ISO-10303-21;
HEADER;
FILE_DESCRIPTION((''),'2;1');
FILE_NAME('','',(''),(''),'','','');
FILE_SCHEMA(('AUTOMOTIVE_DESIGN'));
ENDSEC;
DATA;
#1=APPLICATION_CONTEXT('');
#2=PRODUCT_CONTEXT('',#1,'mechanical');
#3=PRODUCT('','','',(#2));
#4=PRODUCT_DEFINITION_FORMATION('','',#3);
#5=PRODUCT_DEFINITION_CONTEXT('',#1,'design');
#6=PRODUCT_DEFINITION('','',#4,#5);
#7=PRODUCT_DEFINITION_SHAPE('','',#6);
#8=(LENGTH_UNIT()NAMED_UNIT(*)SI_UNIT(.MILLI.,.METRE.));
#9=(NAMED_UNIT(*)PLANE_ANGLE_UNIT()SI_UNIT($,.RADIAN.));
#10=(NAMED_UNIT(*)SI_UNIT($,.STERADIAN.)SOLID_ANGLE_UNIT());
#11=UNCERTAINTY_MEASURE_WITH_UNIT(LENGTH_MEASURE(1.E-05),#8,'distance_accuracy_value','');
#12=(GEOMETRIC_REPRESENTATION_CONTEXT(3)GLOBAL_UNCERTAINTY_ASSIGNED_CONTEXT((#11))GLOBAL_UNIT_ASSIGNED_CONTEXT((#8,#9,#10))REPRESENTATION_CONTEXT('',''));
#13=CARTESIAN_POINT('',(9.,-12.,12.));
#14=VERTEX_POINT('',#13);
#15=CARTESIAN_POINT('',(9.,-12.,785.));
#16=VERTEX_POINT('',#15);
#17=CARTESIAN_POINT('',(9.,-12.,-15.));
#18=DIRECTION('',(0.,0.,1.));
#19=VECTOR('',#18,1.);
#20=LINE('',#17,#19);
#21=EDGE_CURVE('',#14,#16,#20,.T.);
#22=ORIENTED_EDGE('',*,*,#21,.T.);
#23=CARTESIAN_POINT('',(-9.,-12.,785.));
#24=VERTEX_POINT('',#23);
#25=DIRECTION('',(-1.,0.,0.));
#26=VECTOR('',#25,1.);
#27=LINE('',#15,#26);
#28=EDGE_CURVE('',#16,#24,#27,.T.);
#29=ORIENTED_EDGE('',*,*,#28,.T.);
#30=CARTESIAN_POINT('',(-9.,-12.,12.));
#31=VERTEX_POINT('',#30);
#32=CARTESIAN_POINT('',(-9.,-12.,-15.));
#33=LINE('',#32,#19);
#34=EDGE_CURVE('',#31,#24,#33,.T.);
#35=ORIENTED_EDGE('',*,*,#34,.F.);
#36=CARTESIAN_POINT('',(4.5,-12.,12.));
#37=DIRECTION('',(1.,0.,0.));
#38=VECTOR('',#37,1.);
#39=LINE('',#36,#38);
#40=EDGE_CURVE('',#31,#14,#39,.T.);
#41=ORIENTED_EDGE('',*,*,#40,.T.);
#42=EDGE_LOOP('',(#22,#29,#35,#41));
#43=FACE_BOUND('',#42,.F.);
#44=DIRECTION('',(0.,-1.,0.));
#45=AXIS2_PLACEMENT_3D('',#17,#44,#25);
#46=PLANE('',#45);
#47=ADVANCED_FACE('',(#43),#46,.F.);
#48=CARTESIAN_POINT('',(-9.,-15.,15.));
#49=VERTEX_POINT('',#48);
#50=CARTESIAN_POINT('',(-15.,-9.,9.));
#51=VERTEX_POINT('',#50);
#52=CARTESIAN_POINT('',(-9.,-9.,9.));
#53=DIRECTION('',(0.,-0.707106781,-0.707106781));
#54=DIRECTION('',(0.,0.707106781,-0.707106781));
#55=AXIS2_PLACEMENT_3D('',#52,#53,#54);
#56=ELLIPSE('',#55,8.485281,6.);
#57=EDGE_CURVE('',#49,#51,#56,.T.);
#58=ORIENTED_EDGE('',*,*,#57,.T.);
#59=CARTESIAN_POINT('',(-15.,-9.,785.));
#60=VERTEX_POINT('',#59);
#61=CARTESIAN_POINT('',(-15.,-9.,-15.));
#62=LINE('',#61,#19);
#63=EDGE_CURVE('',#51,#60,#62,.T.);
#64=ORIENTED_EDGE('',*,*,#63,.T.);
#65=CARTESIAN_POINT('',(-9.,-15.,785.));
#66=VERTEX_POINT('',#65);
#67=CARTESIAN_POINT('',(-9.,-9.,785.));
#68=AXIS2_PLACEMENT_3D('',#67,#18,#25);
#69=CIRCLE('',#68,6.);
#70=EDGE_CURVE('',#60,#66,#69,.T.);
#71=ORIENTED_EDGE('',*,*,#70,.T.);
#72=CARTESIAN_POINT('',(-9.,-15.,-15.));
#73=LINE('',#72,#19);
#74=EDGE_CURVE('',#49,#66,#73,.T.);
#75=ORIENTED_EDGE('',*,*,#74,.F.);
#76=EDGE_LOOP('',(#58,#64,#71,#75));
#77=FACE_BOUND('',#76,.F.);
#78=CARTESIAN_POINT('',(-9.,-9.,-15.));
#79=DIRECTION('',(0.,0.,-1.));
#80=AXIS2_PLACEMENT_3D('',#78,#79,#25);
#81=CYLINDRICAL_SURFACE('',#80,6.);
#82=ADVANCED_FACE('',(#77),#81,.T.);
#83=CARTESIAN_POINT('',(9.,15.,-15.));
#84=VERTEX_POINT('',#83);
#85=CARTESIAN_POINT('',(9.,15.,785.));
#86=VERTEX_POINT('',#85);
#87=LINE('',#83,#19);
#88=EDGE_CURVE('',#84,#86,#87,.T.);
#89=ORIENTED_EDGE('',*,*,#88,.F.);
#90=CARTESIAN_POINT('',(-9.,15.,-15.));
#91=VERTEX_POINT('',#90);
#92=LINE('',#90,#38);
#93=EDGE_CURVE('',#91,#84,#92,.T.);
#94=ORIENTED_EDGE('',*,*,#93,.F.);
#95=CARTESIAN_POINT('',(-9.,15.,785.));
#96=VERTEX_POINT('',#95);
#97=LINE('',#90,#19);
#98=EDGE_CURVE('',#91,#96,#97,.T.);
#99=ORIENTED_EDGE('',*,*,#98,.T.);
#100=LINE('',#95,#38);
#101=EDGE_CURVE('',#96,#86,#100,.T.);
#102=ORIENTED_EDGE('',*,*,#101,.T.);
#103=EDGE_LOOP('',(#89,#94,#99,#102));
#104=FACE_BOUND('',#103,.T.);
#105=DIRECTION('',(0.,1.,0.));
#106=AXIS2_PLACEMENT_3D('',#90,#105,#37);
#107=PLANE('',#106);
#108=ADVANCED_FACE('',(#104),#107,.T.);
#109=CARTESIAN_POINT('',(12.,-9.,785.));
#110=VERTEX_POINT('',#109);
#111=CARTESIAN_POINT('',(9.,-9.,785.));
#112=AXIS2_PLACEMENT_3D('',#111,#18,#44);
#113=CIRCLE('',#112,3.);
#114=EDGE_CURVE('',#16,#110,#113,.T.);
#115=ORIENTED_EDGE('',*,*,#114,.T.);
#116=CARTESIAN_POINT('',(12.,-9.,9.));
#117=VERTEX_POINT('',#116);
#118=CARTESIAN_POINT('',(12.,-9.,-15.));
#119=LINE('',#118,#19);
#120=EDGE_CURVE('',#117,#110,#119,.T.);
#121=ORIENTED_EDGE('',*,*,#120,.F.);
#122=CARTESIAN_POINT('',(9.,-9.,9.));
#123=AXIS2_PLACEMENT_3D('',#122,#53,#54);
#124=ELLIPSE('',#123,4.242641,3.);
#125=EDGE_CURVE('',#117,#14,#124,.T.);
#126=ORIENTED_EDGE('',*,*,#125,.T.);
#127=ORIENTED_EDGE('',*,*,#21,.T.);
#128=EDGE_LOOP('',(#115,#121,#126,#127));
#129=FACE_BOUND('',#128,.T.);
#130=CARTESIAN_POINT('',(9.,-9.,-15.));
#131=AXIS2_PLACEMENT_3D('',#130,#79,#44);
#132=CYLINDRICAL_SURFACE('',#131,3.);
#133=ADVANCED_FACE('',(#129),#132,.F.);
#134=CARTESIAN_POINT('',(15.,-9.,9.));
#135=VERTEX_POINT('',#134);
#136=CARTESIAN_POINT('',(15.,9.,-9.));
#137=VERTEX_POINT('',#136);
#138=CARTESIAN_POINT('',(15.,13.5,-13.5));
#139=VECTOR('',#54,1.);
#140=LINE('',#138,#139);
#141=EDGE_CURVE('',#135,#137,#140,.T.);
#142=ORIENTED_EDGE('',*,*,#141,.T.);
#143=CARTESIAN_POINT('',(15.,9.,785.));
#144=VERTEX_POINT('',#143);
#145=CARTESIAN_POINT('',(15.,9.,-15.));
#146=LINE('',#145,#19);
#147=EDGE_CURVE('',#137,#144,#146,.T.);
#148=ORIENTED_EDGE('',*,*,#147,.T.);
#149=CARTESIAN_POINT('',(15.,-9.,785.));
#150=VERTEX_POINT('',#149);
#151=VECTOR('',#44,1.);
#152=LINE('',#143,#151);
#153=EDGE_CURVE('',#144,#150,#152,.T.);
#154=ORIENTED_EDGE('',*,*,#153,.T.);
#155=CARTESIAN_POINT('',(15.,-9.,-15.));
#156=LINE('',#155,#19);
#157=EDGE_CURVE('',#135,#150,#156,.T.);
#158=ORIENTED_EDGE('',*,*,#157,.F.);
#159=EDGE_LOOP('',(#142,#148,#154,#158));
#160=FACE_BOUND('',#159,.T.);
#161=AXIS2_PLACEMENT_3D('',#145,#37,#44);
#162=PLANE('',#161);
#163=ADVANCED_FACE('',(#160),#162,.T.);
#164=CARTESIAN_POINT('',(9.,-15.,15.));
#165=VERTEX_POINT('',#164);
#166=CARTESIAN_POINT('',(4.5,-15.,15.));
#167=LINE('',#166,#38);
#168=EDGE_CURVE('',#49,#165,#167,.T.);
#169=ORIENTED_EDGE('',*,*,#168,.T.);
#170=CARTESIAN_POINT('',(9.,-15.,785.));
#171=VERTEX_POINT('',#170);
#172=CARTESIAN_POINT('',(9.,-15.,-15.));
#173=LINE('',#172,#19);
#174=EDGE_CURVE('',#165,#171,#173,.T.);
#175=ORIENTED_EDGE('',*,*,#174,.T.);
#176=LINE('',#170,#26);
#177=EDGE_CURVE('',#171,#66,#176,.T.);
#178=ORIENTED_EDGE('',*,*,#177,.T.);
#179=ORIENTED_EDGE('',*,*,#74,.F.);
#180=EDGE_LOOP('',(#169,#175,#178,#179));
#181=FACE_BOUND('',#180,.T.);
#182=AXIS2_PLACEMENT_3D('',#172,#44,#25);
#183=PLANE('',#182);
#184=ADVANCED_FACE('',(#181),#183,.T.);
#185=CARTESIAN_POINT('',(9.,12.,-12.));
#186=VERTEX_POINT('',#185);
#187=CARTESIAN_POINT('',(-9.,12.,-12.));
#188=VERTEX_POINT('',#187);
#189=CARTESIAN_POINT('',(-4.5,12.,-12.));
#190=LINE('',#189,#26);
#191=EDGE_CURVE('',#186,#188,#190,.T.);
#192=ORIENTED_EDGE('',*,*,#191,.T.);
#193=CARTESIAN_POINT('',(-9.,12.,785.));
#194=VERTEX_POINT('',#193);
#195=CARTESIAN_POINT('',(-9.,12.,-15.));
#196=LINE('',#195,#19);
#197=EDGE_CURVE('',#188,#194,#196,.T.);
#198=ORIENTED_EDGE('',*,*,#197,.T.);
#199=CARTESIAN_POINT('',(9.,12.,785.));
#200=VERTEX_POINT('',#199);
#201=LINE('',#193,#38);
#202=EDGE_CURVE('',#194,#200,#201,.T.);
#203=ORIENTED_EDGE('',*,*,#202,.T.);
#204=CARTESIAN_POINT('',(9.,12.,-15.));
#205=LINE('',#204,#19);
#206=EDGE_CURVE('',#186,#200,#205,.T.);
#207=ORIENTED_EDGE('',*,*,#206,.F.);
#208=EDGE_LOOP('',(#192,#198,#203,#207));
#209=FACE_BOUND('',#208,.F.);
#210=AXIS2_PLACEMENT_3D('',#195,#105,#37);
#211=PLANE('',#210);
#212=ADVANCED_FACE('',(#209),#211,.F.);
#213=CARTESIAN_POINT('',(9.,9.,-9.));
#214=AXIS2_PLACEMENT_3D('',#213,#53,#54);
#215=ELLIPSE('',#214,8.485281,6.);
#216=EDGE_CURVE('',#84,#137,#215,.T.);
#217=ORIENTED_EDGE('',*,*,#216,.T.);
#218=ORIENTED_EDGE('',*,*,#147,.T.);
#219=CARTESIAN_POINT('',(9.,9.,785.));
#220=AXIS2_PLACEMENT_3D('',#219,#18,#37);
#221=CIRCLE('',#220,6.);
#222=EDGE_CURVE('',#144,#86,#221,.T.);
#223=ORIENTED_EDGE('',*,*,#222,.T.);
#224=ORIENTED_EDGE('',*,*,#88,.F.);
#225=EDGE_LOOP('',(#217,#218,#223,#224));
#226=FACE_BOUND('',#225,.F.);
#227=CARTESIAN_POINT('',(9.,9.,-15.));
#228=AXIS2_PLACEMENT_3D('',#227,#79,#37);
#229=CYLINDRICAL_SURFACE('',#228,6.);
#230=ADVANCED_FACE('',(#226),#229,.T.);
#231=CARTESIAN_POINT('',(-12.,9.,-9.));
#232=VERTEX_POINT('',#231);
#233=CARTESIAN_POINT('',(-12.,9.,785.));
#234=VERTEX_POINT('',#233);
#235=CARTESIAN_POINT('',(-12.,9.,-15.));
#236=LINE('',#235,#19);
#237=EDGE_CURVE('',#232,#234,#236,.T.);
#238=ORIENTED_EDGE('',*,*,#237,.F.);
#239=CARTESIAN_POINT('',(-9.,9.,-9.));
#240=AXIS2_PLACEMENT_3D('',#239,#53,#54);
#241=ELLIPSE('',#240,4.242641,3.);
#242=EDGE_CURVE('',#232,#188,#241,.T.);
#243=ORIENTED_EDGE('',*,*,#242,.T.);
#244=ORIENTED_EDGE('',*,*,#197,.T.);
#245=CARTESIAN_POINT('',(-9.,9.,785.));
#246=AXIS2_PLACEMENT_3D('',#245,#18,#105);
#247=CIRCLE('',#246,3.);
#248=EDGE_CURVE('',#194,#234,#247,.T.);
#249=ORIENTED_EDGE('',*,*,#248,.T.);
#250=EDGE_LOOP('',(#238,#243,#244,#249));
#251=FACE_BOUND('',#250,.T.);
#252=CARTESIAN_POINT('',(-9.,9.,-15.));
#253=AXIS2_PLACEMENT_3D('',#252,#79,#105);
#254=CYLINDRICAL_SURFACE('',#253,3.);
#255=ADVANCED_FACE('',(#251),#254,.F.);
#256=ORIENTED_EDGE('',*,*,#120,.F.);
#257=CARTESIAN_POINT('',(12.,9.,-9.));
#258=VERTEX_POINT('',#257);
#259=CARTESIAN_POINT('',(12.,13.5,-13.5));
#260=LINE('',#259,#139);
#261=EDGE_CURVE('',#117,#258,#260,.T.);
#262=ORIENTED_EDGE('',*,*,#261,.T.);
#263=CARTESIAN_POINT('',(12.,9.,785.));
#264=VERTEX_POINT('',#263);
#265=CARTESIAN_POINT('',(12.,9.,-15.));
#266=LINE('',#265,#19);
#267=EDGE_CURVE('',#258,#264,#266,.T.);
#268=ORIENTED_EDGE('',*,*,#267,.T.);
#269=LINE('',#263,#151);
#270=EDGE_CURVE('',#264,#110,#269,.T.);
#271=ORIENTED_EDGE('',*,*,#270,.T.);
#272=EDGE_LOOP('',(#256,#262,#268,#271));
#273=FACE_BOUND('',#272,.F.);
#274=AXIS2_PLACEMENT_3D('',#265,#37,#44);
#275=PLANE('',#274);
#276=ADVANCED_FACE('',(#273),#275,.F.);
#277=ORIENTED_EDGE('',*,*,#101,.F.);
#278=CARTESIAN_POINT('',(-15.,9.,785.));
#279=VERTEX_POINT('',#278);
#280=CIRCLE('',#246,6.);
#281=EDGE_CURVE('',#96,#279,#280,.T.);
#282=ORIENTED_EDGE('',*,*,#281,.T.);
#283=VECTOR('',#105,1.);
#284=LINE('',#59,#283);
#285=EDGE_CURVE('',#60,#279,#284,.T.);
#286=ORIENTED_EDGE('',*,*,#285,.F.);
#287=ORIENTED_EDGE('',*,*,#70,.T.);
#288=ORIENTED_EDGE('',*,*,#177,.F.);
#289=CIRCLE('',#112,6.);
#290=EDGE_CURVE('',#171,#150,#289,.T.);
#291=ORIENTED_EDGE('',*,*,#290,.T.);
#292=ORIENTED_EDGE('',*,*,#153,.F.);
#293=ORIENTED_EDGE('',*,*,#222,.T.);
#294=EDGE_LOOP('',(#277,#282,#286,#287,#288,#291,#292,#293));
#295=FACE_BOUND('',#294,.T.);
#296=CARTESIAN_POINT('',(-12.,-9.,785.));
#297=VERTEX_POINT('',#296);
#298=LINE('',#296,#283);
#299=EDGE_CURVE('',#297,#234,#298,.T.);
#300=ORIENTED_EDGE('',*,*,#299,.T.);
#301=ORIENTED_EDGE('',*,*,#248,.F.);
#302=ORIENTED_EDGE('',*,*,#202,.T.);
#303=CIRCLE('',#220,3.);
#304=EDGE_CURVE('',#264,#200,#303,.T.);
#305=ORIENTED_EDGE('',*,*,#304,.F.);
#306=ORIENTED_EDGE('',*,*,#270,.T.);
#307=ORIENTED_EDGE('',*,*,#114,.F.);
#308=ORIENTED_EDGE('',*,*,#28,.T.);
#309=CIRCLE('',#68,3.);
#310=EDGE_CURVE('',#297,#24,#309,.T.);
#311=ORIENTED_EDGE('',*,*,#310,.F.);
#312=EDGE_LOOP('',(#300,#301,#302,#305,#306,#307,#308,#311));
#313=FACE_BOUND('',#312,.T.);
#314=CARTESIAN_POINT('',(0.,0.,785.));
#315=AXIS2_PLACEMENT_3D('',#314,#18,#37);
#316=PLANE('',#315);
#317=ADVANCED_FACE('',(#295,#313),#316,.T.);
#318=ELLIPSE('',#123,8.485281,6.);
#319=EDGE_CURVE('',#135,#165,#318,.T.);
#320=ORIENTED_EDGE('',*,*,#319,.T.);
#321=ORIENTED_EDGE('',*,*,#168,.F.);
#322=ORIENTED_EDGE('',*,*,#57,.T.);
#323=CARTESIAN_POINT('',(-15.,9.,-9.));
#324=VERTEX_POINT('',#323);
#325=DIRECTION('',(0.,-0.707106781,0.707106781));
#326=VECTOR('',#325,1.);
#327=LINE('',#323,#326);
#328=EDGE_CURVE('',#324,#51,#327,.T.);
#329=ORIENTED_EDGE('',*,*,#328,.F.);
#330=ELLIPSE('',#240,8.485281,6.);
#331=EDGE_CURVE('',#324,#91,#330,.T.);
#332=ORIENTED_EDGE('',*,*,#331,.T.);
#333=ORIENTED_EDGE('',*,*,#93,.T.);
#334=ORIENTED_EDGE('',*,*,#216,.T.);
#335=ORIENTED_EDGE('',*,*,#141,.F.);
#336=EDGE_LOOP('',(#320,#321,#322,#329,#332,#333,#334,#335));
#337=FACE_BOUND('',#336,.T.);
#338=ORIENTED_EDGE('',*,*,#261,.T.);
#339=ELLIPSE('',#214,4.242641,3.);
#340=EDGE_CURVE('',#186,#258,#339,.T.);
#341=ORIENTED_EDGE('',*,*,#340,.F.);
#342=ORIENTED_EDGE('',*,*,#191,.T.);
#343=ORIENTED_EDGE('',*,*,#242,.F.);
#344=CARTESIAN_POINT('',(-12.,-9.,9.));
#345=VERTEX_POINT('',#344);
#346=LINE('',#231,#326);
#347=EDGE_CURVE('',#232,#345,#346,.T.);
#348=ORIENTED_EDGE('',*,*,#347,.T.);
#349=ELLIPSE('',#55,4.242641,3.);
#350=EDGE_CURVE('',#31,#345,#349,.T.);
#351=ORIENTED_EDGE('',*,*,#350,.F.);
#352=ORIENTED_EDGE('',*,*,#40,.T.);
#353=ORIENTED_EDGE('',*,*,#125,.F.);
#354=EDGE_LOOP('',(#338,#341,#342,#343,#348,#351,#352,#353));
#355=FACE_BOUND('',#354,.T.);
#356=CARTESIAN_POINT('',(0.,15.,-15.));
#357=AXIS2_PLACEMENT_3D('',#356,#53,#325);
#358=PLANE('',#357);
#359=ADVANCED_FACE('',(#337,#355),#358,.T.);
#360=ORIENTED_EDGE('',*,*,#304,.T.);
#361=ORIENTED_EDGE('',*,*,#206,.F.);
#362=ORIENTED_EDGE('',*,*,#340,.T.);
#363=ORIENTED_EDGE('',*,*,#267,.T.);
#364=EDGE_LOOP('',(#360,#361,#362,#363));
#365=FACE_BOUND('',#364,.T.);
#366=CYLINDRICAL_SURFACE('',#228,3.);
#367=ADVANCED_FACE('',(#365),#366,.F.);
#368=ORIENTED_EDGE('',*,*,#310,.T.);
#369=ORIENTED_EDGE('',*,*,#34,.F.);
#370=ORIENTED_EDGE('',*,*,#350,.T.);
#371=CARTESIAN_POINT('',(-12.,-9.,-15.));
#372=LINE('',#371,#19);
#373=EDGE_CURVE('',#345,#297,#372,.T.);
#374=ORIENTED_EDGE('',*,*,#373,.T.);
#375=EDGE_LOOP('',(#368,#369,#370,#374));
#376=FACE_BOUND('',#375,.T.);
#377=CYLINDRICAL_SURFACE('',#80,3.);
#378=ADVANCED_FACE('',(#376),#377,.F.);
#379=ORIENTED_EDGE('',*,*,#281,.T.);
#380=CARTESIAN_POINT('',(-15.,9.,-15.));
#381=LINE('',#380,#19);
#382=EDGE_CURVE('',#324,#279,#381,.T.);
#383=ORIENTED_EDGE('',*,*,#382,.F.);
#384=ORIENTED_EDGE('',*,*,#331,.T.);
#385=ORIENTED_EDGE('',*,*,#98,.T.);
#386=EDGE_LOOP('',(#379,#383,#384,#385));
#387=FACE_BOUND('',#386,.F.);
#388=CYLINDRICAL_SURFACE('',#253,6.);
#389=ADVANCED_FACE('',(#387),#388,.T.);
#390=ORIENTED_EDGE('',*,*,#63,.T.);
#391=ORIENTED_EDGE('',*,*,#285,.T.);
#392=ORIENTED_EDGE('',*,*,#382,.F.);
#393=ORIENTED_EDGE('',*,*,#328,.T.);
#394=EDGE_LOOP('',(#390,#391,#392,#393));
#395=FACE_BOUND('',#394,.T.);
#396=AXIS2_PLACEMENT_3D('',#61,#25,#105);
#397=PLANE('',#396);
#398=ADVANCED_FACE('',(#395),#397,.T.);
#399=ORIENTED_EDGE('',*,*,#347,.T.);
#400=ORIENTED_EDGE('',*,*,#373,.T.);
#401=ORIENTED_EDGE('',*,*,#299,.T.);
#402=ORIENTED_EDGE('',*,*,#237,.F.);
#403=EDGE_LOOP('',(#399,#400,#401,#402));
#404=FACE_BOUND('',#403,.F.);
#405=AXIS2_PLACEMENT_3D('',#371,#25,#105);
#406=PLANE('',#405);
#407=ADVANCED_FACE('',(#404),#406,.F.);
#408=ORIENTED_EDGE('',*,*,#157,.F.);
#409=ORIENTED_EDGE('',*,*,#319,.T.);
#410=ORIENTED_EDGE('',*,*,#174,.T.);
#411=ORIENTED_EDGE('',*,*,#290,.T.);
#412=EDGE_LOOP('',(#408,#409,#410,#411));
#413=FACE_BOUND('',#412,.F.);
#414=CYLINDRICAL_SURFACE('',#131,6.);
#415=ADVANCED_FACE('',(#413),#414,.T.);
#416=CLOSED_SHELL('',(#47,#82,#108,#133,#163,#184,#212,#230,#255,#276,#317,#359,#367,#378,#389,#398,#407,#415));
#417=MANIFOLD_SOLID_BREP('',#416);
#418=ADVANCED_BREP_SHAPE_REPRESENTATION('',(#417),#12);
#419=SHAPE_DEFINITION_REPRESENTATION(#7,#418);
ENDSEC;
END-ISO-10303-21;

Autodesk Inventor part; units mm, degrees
ref_plane "Start Plane" through (0, 0, -15) normal (0, 0, 1) x (1, 0, 0)
ref_plane "End Plane" through (0, 0, 785) normal (0, 0, 1) x (1, 0, 0)
sketch "Sketch" plane through (0, 0, 0) normal (0, 0, 1) x (1, 0, 0)
  line L0 (-15, -9) -> (-15, 9)
  line L1 (-9, 15) -> (9, 15)
  line L2 (15, 9) -> (15, -9)
  line L3 (9, -15) -> (-9, -15)
  arc A0 (-15, -9) -> (-9, -15) centre (-9, -9) ccw
  arc A1 (-9, 15) -> (-15, 9) centre (-9, 9) ccw
  arc A2 (15, 9) -> (9, 15) centre (9, 9) ccw
  arc A3 (9, -15) -> (15, -9) centre (9, -9) ccw
  arc A4 (-9, 12) -> (-12, 9) centre (-9, 9) ccw
  line L4 (-9, 12) -> (9, 12)
  arc A5 (12, 9) -> (9, 12) centre (9, 9) ccw
  line L5 (12, 9) -> (12, -9)
  arc A6 (9, -12) -> (12, -9) centre (9, -9) ccw
  line L6 (9, -12) -> (-9, -12)
  arc A7 (-12, -9) -> (-9, -12) centre (-9, -9) ccw
  line L7 (-12, -9) -> (-12, 9)
  line L8 (0, 22.7397) -> (0, -22.7397) construction
  line L9 (-22.7397, 0) -> (22.7397, 0) construction
  dimension "d7" = 6
  dimension "d10" = 30
  dimension "d11" = 30
  dimension "d12" = 3
  dimension "d15" = 15
  dimension "d16" = 15
extrude "Body" add sketch "Sketch" along normal up to surface (800 mm away) from surface at -15
sketch "Sketch3" plane through (0, 0, 0) normal (0, 0, 1) x (1, 0, 0)
  line L0 (0, 0) -> (10, 0)
ref_plane "Work Plane3" through (0, 0, 0) normal (0, -1, 0) x (1, 0, 0)
ref_plane "Work Plane4" through (0, 15, -15) normal (0, -0.7071, -0.7071) x (1, 0, 0)
split "Split1" plane through (0, 15, -15) removes the side toward (0, -0.7071, -0.7071)
ref_plane "Work Plane5" through (9, 500, 785) normal (0, 0, 1) x (1, 0, 0)
split "Split2" plane through (9, 500, 785) removes the side toward (0, 0, 1)
sketch "Sketch4" plane through (0, 0, 0) normal (0, -1, 0) x (1, 0, 0)
  line L0 (-2, -15) -> (12, -15) projected
  line L1 (-2, 785) -> (12, 785) projected
  dimension "d18" = 800
equation "\"d7\" = G_IR"
equation "\"d10\" = G_H"
equation "\"d11\" = G_W"
equation "\"d12\" = G_T"
equation "\"d15\" = 0.5 * d10"
equation "\"d16\" = 0.5 * d11"
equation "\"d3\" = G_L"
equation "\"G_W\" = 30"
equation "\"G_H\" = 30"
equation "\"G_T\" = 3"
equation "\"G_IR\" = 6"
equation "\"G_L\" = d18"
equation "\"G_OFFSET_START\" = 15"
equation "\"G_OFFSET_END\" = -15"
equation "\"d13\" = -G_OFFSET_START"
equation "\"d14\" = G_OFFSET_END + B_L"
equation "\"B_L\" = 800"
properties part number "DIN EN 10219-2 - 30 x 30 x 3  - 800" material "Steel, Mild"
